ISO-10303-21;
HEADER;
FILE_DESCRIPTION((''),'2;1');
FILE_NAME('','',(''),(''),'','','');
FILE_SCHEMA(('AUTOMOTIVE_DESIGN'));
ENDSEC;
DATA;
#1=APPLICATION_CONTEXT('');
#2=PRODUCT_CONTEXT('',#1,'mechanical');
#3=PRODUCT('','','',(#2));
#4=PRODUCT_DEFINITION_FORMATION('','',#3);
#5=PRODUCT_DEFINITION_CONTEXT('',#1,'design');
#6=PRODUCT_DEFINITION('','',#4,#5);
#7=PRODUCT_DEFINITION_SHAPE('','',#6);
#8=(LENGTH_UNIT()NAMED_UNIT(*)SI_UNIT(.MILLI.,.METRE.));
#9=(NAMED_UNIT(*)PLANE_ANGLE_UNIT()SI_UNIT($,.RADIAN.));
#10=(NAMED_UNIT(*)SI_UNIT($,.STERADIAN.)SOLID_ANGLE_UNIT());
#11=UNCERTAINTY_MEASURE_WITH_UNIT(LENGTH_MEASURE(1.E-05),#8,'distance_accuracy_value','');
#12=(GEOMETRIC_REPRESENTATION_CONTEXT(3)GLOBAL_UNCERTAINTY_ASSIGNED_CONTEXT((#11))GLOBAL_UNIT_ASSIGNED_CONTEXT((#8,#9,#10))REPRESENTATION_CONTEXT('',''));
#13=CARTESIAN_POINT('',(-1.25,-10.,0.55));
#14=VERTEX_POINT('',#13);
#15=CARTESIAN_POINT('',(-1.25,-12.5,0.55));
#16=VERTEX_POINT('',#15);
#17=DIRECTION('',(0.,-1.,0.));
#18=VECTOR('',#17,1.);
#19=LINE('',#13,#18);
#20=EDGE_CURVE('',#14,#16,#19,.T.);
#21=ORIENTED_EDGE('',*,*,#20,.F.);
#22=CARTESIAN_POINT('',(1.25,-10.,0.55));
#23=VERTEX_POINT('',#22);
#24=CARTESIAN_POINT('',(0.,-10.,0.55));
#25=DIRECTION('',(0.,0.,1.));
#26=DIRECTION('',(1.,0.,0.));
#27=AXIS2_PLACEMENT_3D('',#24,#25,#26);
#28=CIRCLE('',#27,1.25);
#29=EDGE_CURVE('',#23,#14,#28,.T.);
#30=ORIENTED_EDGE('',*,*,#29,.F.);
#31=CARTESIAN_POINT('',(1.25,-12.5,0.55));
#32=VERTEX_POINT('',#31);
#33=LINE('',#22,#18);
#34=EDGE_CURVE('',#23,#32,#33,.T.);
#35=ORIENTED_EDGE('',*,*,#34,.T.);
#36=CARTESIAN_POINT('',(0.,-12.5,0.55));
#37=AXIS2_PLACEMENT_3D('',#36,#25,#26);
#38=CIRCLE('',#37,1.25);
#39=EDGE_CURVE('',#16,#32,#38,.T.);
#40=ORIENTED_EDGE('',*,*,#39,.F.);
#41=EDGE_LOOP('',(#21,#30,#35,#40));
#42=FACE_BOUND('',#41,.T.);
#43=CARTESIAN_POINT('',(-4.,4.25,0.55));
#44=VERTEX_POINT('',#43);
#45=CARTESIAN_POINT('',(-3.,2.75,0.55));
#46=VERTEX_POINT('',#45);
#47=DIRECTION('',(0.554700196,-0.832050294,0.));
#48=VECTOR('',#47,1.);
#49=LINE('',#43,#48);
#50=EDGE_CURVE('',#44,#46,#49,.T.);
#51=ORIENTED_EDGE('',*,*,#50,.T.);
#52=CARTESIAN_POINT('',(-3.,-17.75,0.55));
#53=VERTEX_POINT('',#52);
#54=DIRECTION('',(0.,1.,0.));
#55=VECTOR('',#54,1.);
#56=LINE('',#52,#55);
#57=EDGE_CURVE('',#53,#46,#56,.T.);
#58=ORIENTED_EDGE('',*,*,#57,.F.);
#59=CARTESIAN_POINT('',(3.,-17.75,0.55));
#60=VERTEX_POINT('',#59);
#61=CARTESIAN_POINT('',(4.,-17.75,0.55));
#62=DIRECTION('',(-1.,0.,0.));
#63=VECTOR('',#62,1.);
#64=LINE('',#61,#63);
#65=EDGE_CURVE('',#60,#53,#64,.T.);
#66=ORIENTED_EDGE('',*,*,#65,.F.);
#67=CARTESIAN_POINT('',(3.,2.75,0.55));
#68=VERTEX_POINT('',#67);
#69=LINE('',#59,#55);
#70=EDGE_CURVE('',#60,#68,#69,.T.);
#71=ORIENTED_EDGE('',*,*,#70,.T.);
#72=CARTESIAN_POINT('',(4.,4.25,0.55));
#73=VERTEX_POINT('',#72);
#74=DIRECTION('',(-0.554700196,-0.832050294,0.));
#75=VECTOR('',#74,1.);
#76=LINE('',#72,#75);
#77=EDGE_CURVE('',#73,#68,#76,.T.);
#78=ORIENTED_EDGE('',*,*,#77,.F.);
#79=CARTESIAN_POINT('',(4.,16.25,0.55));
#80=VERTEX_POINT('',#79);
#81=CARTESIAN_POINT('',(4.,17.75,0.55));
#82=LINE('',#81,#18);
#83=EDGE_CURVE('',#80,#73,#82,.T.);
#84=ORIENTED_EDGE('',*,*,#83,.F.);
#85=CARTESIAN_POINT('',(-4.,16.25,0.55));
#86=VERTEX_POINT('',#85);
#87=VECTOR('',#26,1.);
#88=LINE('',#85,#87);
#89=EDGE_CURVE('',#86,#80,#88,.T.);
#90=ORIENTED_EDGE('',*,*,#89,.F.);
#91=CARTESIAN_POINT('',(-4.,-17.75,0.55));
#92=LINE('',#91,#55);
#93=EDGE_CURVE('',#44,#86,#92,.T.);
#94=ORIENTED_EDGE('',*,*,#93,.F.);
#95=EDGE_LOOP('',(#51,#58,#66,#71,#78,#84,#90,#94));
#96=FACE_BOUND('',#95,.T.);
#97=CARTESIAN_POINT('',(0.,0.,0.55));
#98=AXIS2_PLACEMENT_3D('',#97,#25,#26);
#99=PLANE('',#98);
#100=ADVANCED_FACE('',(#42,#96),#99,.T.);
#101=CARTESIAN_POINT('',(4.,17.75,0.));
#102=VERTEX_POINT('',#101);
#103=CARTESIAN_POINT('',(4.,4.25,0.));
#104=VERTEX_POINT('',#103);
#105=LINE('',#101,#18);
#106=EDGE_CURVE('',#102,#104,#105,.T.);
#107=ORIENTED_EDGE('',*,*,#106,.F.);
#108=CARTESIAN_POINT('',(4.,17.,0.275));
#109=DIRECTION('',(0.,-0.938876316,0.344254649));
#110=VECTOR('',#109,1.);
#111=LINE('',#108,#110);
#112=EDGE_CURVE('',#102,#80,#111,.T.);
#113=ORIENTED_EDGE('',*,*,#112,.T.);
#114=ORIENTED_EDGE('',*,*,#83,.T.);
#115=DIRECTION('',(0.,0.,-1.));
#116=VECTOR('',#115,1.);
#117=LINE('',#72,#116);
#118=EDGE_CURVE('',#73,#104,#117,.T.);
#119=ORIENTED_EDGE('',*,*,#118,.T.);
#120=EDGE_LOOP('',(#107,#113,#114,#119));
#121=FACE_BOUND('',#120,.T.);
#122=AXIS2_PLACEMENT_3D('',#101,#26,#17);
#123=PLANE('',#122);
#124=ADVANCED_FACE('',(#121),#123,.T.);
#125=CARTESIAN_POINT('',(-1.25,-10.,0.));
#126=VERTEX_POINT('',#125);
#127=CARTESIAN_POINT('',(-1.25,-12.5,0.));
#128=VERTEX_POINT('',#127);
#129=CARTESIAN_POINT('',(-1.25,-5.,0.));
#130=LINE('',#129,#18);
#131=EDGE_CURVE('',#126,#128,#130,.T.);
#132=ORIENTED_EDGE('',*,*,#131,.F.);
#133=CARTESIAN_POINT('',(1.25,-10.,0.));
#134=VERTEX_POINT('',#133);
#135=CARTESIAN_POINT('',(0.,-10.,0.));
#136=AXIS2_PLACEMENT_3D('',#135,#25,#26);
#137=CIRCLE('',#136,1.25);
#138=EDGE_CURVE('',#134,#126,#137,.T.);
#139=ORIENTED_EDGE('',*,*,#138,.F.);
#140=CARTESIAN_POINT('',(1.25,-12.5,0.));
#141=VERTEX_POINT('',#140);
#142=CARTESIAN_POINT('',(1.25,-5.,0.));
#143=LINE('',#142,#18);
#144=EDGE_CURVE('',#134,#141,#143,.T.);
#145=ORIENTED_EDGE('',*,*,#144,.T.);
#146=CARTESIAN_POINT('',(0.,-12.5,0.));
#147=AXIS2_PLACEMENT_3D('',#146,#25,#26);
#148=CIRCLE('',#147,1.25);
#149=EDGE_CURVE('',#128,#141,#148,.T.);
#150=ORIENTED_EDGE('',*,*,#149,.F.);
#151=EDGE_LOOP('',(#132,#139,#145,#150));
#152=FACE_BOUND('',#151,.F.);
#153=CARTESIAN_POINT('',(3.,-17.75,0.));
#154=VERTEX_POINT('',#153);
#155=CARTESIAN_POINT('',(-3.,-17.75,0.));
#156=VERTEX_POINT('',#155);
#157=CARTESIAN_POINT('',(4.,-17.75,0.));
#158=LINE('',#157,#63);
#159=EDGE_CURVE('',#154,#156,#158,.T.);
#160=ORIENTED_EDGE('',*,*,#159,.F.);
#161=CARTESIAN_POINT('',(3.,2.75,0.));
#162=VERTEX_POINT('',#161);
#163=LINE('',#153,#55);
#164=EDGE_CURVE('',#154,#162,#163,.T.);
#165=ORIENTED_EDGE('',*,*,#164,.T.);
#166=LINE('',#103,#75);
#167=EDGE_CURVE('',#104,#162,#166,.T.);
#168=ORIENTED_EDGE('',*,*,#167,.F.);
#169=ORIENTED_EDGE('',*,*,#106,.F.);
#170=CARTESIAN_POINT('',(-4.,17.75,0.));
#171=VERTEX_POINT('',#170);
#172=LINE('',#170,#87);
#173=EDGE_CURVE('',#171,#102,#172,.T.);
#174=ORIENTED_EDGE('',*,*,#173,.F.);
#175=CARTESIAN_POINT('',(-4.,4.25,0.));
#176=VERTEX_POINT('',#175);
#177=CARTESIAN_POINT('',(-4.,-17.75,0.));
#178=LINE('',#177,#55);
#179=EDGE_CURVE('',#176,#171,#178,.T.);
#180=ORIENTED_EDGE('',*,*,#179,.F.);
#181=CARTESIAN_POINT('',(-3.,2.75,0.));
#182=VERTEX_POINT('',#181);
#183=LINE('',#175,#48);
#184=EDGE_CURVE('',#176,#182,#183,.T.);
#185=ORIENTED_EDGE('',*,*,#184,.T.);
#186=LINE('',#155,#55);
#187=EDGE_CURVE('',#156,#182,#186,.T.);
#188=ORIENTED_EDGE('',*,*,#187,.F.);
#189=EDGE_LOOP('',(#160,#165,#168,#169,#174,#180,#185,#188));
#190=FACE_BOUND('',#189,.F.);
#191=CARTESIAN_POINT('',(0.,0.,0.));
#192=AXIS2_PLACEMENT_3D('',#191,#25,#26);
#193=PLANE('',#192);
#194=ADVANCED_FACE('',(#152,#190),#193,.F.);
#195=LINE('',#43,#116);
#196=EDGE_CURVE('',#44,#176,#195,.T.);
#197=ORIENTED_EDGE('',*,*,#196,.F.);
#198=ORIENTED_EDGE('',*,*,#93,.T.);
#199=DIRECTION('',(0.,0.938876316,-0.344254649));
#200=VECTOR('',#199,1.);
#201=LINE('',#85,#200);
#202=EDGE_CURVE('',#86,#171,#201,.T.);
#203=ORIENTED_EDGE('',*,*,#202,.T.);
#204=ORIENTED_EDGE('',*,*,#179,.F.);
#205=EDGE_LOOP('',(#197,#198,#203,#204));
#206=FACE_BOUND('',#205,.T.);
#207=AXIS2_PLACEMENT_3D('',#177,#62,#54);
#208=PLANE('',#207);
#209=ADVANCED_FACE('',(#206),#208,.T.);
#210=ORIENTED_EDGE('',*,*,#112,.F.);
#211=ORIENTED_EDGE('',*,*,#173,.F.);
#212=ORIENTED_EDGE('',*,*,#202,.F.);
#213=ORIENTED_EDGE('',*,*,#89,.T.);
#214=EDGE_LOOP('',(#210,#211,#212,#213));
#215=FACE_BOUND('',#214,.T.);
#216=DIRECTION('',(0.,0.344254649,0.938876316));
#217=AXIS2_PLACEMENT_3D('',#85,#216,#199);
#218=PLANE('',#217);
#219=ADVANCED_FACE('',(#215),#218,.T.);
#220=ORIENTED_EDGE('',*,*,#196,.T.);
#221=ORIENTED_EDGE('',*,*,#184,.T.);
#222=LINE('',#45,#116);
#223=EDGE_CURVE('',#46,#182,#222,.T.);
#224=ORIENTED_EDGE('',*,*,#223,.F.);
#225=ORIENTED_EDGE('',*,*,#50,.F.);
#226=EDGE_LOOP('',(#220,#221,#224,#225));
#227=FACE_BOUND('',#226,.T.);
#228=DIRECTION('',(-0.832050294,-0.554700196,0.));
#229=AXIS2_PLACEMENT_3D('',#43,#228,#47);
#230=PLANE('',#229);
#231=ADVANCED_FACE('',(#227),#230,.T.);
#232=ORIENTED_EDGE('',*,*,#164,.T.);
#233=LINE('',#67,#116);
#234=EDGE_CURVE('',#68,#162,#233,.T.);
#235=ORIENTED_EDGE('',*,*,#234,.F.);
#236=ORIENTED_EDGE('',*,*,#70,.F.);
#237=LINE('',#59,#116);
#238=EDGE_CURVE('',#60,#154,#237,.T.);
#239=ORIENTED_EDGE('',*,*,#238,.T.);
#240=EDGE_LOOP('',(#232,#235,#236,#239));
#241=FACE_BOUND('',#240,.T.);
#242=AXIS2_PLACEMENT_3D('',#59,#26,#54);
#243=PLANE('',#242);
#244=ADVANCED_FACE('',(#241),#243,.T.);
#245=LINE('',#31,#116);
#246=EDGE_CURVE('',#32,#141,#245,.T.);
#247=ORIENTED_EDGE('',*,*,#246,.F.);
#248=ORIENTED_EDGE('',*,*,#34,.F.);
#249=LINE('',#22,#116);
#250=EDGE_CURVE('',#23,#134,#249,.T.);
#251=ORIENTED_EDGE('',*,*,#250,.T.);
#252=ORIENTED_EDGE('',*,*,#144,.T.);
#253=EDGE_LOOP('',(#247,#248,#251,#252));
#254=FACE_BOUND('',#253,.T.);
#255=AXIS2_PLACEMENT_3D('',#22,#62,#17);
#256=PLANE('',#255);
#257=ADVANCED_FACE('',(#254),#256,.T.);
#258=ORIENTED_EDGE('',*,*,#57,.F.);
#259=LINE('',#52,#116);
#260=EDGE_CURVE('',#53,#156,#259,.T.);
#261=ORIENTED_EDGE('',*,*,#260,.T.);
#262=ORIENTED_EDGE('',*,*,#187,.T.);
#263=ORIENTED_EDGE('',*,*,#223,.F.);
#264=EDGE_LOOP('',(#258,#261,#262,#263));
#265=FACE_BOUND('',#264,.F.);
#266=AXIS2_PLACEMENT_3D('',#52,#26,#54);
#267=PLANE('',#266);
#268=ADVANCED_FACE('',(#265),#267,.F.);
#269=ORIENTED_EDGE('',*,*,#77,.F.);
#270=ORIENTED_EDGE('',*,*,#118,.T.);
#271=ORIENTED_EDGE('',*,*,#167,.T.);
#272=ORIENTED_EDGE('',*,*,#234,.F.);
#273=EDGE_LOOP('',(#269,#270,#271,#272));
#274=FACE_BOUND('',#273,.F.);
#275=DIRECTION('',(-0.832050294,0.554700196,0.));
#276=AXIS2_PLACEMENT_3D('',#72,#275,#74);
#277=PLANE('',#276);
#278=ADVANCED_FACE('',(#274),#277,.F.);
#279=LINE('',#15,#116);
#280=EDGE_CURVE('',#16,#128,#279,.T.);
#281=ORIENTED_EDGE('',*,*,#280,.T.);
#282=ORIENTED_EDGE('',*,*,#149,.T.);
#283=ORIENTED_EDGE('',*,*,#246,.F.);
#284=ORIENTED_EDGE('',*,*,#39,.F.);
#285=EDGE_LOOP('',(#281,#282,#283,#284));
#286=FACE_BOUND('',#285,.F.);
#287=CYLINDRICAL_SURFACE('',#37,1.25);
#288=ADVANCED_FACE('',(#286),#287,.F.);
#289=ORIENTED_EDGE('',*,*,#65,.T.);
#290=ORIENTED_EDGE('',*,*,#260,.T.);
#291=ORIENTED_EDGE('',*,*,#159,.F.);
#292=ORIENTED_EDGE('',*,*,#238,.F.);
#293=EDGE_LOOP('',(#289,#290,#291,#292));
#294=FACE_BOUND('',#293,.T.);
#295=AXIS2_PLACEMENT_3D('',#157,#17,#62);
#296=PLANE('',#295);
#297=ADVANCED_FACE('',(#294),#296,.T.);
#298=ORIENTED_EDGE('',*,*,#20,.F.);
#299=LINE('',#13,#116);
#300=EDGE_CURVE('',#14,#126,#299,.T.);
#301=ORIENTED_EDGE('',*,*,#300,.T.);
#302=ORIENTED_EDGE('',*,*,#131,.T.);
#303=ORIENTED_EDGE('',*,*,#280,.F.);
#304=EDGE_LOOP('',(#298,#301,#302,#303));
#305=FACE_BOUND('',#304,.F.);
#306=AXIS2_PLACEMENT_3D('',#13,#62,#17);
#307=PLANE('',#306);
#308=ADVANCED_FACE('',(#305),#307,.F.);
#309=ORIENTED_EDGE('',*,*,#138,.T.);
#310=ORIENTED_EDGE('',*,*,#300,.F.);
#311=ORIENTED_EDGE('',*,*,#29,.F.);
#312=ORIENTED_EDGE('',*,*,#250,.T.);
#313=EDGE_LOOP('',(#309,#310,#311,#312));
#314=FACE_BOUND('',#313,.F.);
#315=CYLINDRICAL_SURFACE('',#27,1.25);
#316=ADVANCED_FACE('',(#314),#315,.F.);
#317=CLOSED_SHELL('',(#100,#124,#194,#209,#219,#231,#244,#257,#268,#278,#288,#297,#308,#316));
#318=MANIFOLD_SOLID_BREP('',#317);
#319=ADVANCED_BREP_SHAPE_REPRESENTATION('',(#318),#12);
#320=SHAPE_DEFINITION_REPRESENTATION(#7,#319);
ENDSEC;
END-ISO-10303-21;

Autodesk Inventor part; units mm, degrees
ref_plane "YZ Plane" through (0, 0, 0) normal (1, 0, 0) x (0, 1, 0)
ref_plane "XZ Plane" through (0, 0, 0) normal (0, 1, 0) x (-1, 0, 0)
ref_plane "XY Plane" through (0, 0, 0) normal (0, 0, 1) x (1, 0, 0)
sketch "スケッチ1" plane through (0, 0, 0) normal (0, 0, 1) x (1, 0, 0)
  line L0 (-4, 17.75) -> (4, 17.75)
  line L1 (4, 17.75) -> (4, -17.75)
  line L2 (4, -17.75) -> (-4, -17.75)
  line L3 (-4, -17.75) -> (-4, 17.75)
  line L4 (-4, 17.75) -> (4, -17.75) construction
  line L5 (4, 17.75) -> (-4, -17.75) construction
  point P0 (0, 0)
  dimension "d0" = 8
  dimension "d1" = 35.5
extrude "押し出し1" add sketch "スケッチ1" along normal blind 0.55
sketch "スケッチ2" plane through (0, 0, 0.55) normal (0, 0, 1) x (1, 0, 0)
  line L0 (-4, -17.75) -> (4, -17.75) projected
  line L1 (3, -17.75) -> (3, 2.75)
  line L2 (4, -17.75) -> (4, 17.75) projected
  line L3 (3, -17.75) -> (23.5, -17.75) construction
  line L4 (0, -17.75) -> (-3, -17.75)
  line L5 (-3, -17.75) -> (-3, 2.75)
  line L6 (-4, 17.75) -> (-4, -17.75) projected
  line L7 (-4, 4.25) -> (-3, 2.75)
  line L8 (-4, 4.25) -> (-4, -17.75)
  line L9 (-4, -17.75) -> (-3, -17.75)
  line L10 (4, 4.25) -> (3, 2.75)
  line L11 (4, 4.25) -> (4, -17.75)
  line L12 (3, -17.75) -> (4, -17.75)
  point P0 (0, 0)
  dimension "d4" = 20.5
  dimension "d5" = 90
  dimension "d6" = 3
extrude "押し出し2" cut sketch "スケッチ2" against normal blind 0.55
sketch "スケッチ3" plane through (0, 0, 0.55) normal (0, 0, 1) x (1, 0, 0)
  circle A0 centre (0, -12.5) radius 1.25
  circle A1 centre (0, -10) radius 1.25
  line L0 (1.25, -10) -> (1.25, -12.5)
  line L1 (-1.25, -10) -> (-1.25, -12.5)
  point P0 (0, 0)
  dimension "d9" = 2.5
extrude "押し出し3" cut sketch "スケッチ3" against normal blind 10
sketch "スケッチ4" plane through (-4, 17.75, 0) normal (-1, 0, 0) x (0, 0, 1)
  line L0 (0.55, 0) -> (0.55, -13.5) projected
  line L1 (0.55, 0) -> (0.55, -1.5)
  line L2 (0, -13.5) -> (0, 0) projected
  line L3 (0.55, -1.5) -> (0, 0)
  line L4 (0, 0) -> (0.55, 0)
  point P0 (0, -17.75)
  dimension "d12" = 1.5
extrude "押し出し4" cut sketch "スケッチ4" against normal blind 10
properties part number "pen_type_cutter_realsize" material "鋼、合金鋼"
